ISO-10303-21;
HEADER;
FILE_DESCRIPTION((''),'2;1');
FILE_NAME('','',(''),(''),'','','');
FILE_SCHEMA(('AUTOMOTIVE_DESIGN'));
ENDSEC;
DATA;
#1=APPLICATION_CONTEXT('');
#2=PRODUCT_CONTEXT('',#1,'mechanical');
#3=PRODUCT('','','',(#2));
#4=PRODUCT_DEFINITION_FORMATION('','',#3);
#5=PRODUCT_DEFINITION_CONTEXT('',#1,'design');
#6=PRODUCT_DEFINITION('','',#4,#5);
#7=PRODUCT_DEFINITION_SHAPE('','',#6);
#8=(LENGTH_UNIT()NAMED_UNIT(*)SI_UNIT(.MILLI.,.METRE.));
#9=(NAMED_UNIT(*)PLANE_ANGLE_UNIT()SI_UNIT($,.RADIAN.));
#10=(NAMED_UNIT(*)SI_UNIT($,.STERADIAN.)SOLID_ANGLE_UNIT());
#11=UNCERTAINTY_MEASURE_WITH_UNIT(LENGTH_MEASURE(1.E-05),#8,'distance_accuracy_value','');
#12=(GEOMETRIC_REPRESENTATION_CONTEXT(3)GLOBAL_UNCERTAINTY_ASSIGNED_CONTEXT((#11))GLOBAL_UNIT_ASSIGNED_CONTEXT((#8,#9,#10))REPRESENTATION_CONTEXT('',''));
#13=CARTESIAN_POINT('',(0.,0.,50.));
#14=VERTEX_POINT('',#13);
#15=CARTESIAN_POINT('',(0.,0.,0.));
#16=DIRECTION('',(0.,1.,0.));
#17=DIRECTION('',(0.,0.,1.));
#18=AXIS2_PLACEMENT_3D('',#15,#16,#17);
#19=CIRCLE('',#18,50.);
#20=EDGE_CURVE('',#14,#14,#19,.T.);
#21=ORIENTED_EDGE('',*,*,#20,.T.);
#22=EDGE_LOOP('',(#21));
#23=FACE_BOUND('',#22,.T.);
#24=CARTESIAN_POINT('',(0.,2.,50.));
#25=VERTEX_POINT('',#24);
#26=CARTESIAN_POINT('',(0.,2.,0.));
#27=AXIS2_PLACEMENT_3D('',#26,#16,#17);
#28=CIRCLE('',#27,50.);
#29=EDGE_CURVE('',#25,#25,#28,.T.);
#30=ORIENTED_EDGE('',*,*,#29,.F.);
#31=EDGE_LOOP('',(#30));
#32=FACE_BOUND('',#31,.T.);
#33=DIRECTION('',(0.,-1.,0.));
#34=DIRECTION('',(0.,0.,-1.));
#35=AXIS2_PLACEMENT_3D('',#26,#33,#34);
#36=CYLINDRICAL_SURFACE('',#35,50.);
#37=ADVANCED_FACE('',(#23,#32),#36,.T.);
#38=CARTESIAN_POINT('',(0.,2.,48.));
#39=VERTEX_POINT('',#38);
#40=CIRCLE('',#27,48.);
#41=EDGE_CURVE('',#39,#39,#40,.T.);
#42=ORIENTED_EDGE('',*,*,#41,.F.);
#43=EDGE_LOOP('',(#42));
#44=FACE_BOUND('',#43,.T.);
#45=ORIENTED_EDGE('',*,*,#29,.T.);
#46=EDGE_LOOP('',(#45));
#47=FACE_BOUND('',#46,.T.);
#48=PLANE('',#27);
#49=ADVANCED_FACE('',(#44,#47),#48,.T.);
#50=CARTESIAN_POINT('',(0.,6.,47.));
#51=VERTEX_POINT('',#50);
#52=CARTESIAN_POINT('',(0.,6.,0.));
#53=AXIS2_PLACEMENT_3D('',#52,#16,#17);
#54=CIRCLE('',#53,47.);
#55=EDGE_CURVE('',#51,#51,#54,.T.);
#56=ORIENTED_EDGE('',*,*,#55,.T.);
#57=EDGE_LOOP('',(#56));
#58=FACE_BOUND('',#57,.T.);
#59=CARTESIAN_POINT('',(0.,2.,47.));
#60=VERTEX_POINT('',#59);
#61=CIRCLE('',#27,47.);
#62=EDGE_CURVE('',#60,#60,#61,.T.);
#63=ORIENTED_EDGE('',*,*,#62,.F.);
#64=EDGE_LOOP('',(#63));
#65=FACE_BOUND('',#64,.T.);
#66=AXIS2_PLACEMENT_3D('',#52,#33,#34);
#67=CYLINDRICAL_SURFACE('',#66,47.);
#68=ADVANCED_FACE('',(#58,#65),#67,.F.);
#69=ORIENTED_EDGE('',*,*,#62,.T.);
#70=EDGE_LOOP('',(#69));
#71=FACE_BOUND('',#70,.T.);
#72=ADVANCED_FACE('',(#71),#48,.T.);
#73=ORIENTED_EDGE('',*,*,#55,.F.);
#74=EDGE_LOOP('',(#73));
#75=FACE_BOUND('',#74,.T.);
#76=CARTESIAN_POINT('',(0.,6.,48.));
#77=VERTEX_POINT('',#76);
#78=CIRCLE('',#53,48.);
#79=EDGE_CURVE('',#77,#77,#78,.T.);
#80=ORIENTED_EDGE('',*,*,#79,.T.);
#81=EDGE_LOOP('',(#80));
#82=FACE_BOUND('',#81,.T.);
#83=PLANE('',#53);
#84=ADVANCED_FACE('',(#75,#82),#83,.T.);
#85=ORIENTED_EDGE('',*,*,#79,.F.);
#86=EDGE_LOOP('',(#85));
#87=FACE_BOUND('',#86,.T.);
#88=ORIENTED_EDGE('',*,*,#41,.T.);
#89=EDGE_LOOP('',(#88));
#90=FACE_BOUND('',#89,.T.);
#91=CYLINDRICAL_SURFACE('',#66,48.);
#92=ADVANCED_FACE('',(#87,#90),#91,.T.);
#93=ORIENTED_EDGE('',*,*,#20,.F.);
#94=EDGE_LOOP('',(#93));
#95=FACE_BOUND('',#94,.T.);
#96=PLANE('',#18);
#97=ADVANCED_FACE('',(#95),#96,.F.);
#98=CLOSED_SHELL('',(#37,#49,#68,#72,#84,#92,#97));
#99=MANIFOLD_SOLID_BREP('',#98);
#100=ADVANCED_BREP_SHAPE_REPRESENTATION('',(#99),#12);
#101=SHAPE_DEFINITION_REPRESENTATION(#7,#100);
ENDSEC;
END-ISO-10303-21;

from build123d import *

# Parameters (mm, degrees)
SKETCH1_R           = 50
BOSS_EXTRUDE1_DEPTH = 2
SKETCH2_R           = 48
SKETCH2_R_2         = 47
BOSS_EXTRUDE2_DEPTH = 4


with BuildPart() as part:
    # Sketch1 → Boss-Extrude1 (new body)
    with BuildSketch(Plane(origin=(0, 0, 0), x_dir=(1, 0, 0), z_dir=(0, 1, 0))):
        with Locations(Location((0, 0, 0), (0, 0, 270))):
            Circle(SKETCH1_R)
    extrude(amount=BOSS_EXTRUDE1_DEPTH)

    # Sketch2 → Boss-Extrude2 (add)
    with BuildSketch(Plane(origin=(0, 2, 0), x_dir=(1, 0, 0), z_dir=(0, 1, 0))):
        with Locations(Location((0, 0, 0), (0, 0, 270))):
            Circle(SKETCH2_R)
        with Locations(Location((0, 0, 0), (0, 0, 270))):
            Circle(SKETCH2_R_2, mode=Mode.SUBTRACT)
    extrude(amount=BOSS_EXTRUDE2_DEPTH)


solid = part.part
